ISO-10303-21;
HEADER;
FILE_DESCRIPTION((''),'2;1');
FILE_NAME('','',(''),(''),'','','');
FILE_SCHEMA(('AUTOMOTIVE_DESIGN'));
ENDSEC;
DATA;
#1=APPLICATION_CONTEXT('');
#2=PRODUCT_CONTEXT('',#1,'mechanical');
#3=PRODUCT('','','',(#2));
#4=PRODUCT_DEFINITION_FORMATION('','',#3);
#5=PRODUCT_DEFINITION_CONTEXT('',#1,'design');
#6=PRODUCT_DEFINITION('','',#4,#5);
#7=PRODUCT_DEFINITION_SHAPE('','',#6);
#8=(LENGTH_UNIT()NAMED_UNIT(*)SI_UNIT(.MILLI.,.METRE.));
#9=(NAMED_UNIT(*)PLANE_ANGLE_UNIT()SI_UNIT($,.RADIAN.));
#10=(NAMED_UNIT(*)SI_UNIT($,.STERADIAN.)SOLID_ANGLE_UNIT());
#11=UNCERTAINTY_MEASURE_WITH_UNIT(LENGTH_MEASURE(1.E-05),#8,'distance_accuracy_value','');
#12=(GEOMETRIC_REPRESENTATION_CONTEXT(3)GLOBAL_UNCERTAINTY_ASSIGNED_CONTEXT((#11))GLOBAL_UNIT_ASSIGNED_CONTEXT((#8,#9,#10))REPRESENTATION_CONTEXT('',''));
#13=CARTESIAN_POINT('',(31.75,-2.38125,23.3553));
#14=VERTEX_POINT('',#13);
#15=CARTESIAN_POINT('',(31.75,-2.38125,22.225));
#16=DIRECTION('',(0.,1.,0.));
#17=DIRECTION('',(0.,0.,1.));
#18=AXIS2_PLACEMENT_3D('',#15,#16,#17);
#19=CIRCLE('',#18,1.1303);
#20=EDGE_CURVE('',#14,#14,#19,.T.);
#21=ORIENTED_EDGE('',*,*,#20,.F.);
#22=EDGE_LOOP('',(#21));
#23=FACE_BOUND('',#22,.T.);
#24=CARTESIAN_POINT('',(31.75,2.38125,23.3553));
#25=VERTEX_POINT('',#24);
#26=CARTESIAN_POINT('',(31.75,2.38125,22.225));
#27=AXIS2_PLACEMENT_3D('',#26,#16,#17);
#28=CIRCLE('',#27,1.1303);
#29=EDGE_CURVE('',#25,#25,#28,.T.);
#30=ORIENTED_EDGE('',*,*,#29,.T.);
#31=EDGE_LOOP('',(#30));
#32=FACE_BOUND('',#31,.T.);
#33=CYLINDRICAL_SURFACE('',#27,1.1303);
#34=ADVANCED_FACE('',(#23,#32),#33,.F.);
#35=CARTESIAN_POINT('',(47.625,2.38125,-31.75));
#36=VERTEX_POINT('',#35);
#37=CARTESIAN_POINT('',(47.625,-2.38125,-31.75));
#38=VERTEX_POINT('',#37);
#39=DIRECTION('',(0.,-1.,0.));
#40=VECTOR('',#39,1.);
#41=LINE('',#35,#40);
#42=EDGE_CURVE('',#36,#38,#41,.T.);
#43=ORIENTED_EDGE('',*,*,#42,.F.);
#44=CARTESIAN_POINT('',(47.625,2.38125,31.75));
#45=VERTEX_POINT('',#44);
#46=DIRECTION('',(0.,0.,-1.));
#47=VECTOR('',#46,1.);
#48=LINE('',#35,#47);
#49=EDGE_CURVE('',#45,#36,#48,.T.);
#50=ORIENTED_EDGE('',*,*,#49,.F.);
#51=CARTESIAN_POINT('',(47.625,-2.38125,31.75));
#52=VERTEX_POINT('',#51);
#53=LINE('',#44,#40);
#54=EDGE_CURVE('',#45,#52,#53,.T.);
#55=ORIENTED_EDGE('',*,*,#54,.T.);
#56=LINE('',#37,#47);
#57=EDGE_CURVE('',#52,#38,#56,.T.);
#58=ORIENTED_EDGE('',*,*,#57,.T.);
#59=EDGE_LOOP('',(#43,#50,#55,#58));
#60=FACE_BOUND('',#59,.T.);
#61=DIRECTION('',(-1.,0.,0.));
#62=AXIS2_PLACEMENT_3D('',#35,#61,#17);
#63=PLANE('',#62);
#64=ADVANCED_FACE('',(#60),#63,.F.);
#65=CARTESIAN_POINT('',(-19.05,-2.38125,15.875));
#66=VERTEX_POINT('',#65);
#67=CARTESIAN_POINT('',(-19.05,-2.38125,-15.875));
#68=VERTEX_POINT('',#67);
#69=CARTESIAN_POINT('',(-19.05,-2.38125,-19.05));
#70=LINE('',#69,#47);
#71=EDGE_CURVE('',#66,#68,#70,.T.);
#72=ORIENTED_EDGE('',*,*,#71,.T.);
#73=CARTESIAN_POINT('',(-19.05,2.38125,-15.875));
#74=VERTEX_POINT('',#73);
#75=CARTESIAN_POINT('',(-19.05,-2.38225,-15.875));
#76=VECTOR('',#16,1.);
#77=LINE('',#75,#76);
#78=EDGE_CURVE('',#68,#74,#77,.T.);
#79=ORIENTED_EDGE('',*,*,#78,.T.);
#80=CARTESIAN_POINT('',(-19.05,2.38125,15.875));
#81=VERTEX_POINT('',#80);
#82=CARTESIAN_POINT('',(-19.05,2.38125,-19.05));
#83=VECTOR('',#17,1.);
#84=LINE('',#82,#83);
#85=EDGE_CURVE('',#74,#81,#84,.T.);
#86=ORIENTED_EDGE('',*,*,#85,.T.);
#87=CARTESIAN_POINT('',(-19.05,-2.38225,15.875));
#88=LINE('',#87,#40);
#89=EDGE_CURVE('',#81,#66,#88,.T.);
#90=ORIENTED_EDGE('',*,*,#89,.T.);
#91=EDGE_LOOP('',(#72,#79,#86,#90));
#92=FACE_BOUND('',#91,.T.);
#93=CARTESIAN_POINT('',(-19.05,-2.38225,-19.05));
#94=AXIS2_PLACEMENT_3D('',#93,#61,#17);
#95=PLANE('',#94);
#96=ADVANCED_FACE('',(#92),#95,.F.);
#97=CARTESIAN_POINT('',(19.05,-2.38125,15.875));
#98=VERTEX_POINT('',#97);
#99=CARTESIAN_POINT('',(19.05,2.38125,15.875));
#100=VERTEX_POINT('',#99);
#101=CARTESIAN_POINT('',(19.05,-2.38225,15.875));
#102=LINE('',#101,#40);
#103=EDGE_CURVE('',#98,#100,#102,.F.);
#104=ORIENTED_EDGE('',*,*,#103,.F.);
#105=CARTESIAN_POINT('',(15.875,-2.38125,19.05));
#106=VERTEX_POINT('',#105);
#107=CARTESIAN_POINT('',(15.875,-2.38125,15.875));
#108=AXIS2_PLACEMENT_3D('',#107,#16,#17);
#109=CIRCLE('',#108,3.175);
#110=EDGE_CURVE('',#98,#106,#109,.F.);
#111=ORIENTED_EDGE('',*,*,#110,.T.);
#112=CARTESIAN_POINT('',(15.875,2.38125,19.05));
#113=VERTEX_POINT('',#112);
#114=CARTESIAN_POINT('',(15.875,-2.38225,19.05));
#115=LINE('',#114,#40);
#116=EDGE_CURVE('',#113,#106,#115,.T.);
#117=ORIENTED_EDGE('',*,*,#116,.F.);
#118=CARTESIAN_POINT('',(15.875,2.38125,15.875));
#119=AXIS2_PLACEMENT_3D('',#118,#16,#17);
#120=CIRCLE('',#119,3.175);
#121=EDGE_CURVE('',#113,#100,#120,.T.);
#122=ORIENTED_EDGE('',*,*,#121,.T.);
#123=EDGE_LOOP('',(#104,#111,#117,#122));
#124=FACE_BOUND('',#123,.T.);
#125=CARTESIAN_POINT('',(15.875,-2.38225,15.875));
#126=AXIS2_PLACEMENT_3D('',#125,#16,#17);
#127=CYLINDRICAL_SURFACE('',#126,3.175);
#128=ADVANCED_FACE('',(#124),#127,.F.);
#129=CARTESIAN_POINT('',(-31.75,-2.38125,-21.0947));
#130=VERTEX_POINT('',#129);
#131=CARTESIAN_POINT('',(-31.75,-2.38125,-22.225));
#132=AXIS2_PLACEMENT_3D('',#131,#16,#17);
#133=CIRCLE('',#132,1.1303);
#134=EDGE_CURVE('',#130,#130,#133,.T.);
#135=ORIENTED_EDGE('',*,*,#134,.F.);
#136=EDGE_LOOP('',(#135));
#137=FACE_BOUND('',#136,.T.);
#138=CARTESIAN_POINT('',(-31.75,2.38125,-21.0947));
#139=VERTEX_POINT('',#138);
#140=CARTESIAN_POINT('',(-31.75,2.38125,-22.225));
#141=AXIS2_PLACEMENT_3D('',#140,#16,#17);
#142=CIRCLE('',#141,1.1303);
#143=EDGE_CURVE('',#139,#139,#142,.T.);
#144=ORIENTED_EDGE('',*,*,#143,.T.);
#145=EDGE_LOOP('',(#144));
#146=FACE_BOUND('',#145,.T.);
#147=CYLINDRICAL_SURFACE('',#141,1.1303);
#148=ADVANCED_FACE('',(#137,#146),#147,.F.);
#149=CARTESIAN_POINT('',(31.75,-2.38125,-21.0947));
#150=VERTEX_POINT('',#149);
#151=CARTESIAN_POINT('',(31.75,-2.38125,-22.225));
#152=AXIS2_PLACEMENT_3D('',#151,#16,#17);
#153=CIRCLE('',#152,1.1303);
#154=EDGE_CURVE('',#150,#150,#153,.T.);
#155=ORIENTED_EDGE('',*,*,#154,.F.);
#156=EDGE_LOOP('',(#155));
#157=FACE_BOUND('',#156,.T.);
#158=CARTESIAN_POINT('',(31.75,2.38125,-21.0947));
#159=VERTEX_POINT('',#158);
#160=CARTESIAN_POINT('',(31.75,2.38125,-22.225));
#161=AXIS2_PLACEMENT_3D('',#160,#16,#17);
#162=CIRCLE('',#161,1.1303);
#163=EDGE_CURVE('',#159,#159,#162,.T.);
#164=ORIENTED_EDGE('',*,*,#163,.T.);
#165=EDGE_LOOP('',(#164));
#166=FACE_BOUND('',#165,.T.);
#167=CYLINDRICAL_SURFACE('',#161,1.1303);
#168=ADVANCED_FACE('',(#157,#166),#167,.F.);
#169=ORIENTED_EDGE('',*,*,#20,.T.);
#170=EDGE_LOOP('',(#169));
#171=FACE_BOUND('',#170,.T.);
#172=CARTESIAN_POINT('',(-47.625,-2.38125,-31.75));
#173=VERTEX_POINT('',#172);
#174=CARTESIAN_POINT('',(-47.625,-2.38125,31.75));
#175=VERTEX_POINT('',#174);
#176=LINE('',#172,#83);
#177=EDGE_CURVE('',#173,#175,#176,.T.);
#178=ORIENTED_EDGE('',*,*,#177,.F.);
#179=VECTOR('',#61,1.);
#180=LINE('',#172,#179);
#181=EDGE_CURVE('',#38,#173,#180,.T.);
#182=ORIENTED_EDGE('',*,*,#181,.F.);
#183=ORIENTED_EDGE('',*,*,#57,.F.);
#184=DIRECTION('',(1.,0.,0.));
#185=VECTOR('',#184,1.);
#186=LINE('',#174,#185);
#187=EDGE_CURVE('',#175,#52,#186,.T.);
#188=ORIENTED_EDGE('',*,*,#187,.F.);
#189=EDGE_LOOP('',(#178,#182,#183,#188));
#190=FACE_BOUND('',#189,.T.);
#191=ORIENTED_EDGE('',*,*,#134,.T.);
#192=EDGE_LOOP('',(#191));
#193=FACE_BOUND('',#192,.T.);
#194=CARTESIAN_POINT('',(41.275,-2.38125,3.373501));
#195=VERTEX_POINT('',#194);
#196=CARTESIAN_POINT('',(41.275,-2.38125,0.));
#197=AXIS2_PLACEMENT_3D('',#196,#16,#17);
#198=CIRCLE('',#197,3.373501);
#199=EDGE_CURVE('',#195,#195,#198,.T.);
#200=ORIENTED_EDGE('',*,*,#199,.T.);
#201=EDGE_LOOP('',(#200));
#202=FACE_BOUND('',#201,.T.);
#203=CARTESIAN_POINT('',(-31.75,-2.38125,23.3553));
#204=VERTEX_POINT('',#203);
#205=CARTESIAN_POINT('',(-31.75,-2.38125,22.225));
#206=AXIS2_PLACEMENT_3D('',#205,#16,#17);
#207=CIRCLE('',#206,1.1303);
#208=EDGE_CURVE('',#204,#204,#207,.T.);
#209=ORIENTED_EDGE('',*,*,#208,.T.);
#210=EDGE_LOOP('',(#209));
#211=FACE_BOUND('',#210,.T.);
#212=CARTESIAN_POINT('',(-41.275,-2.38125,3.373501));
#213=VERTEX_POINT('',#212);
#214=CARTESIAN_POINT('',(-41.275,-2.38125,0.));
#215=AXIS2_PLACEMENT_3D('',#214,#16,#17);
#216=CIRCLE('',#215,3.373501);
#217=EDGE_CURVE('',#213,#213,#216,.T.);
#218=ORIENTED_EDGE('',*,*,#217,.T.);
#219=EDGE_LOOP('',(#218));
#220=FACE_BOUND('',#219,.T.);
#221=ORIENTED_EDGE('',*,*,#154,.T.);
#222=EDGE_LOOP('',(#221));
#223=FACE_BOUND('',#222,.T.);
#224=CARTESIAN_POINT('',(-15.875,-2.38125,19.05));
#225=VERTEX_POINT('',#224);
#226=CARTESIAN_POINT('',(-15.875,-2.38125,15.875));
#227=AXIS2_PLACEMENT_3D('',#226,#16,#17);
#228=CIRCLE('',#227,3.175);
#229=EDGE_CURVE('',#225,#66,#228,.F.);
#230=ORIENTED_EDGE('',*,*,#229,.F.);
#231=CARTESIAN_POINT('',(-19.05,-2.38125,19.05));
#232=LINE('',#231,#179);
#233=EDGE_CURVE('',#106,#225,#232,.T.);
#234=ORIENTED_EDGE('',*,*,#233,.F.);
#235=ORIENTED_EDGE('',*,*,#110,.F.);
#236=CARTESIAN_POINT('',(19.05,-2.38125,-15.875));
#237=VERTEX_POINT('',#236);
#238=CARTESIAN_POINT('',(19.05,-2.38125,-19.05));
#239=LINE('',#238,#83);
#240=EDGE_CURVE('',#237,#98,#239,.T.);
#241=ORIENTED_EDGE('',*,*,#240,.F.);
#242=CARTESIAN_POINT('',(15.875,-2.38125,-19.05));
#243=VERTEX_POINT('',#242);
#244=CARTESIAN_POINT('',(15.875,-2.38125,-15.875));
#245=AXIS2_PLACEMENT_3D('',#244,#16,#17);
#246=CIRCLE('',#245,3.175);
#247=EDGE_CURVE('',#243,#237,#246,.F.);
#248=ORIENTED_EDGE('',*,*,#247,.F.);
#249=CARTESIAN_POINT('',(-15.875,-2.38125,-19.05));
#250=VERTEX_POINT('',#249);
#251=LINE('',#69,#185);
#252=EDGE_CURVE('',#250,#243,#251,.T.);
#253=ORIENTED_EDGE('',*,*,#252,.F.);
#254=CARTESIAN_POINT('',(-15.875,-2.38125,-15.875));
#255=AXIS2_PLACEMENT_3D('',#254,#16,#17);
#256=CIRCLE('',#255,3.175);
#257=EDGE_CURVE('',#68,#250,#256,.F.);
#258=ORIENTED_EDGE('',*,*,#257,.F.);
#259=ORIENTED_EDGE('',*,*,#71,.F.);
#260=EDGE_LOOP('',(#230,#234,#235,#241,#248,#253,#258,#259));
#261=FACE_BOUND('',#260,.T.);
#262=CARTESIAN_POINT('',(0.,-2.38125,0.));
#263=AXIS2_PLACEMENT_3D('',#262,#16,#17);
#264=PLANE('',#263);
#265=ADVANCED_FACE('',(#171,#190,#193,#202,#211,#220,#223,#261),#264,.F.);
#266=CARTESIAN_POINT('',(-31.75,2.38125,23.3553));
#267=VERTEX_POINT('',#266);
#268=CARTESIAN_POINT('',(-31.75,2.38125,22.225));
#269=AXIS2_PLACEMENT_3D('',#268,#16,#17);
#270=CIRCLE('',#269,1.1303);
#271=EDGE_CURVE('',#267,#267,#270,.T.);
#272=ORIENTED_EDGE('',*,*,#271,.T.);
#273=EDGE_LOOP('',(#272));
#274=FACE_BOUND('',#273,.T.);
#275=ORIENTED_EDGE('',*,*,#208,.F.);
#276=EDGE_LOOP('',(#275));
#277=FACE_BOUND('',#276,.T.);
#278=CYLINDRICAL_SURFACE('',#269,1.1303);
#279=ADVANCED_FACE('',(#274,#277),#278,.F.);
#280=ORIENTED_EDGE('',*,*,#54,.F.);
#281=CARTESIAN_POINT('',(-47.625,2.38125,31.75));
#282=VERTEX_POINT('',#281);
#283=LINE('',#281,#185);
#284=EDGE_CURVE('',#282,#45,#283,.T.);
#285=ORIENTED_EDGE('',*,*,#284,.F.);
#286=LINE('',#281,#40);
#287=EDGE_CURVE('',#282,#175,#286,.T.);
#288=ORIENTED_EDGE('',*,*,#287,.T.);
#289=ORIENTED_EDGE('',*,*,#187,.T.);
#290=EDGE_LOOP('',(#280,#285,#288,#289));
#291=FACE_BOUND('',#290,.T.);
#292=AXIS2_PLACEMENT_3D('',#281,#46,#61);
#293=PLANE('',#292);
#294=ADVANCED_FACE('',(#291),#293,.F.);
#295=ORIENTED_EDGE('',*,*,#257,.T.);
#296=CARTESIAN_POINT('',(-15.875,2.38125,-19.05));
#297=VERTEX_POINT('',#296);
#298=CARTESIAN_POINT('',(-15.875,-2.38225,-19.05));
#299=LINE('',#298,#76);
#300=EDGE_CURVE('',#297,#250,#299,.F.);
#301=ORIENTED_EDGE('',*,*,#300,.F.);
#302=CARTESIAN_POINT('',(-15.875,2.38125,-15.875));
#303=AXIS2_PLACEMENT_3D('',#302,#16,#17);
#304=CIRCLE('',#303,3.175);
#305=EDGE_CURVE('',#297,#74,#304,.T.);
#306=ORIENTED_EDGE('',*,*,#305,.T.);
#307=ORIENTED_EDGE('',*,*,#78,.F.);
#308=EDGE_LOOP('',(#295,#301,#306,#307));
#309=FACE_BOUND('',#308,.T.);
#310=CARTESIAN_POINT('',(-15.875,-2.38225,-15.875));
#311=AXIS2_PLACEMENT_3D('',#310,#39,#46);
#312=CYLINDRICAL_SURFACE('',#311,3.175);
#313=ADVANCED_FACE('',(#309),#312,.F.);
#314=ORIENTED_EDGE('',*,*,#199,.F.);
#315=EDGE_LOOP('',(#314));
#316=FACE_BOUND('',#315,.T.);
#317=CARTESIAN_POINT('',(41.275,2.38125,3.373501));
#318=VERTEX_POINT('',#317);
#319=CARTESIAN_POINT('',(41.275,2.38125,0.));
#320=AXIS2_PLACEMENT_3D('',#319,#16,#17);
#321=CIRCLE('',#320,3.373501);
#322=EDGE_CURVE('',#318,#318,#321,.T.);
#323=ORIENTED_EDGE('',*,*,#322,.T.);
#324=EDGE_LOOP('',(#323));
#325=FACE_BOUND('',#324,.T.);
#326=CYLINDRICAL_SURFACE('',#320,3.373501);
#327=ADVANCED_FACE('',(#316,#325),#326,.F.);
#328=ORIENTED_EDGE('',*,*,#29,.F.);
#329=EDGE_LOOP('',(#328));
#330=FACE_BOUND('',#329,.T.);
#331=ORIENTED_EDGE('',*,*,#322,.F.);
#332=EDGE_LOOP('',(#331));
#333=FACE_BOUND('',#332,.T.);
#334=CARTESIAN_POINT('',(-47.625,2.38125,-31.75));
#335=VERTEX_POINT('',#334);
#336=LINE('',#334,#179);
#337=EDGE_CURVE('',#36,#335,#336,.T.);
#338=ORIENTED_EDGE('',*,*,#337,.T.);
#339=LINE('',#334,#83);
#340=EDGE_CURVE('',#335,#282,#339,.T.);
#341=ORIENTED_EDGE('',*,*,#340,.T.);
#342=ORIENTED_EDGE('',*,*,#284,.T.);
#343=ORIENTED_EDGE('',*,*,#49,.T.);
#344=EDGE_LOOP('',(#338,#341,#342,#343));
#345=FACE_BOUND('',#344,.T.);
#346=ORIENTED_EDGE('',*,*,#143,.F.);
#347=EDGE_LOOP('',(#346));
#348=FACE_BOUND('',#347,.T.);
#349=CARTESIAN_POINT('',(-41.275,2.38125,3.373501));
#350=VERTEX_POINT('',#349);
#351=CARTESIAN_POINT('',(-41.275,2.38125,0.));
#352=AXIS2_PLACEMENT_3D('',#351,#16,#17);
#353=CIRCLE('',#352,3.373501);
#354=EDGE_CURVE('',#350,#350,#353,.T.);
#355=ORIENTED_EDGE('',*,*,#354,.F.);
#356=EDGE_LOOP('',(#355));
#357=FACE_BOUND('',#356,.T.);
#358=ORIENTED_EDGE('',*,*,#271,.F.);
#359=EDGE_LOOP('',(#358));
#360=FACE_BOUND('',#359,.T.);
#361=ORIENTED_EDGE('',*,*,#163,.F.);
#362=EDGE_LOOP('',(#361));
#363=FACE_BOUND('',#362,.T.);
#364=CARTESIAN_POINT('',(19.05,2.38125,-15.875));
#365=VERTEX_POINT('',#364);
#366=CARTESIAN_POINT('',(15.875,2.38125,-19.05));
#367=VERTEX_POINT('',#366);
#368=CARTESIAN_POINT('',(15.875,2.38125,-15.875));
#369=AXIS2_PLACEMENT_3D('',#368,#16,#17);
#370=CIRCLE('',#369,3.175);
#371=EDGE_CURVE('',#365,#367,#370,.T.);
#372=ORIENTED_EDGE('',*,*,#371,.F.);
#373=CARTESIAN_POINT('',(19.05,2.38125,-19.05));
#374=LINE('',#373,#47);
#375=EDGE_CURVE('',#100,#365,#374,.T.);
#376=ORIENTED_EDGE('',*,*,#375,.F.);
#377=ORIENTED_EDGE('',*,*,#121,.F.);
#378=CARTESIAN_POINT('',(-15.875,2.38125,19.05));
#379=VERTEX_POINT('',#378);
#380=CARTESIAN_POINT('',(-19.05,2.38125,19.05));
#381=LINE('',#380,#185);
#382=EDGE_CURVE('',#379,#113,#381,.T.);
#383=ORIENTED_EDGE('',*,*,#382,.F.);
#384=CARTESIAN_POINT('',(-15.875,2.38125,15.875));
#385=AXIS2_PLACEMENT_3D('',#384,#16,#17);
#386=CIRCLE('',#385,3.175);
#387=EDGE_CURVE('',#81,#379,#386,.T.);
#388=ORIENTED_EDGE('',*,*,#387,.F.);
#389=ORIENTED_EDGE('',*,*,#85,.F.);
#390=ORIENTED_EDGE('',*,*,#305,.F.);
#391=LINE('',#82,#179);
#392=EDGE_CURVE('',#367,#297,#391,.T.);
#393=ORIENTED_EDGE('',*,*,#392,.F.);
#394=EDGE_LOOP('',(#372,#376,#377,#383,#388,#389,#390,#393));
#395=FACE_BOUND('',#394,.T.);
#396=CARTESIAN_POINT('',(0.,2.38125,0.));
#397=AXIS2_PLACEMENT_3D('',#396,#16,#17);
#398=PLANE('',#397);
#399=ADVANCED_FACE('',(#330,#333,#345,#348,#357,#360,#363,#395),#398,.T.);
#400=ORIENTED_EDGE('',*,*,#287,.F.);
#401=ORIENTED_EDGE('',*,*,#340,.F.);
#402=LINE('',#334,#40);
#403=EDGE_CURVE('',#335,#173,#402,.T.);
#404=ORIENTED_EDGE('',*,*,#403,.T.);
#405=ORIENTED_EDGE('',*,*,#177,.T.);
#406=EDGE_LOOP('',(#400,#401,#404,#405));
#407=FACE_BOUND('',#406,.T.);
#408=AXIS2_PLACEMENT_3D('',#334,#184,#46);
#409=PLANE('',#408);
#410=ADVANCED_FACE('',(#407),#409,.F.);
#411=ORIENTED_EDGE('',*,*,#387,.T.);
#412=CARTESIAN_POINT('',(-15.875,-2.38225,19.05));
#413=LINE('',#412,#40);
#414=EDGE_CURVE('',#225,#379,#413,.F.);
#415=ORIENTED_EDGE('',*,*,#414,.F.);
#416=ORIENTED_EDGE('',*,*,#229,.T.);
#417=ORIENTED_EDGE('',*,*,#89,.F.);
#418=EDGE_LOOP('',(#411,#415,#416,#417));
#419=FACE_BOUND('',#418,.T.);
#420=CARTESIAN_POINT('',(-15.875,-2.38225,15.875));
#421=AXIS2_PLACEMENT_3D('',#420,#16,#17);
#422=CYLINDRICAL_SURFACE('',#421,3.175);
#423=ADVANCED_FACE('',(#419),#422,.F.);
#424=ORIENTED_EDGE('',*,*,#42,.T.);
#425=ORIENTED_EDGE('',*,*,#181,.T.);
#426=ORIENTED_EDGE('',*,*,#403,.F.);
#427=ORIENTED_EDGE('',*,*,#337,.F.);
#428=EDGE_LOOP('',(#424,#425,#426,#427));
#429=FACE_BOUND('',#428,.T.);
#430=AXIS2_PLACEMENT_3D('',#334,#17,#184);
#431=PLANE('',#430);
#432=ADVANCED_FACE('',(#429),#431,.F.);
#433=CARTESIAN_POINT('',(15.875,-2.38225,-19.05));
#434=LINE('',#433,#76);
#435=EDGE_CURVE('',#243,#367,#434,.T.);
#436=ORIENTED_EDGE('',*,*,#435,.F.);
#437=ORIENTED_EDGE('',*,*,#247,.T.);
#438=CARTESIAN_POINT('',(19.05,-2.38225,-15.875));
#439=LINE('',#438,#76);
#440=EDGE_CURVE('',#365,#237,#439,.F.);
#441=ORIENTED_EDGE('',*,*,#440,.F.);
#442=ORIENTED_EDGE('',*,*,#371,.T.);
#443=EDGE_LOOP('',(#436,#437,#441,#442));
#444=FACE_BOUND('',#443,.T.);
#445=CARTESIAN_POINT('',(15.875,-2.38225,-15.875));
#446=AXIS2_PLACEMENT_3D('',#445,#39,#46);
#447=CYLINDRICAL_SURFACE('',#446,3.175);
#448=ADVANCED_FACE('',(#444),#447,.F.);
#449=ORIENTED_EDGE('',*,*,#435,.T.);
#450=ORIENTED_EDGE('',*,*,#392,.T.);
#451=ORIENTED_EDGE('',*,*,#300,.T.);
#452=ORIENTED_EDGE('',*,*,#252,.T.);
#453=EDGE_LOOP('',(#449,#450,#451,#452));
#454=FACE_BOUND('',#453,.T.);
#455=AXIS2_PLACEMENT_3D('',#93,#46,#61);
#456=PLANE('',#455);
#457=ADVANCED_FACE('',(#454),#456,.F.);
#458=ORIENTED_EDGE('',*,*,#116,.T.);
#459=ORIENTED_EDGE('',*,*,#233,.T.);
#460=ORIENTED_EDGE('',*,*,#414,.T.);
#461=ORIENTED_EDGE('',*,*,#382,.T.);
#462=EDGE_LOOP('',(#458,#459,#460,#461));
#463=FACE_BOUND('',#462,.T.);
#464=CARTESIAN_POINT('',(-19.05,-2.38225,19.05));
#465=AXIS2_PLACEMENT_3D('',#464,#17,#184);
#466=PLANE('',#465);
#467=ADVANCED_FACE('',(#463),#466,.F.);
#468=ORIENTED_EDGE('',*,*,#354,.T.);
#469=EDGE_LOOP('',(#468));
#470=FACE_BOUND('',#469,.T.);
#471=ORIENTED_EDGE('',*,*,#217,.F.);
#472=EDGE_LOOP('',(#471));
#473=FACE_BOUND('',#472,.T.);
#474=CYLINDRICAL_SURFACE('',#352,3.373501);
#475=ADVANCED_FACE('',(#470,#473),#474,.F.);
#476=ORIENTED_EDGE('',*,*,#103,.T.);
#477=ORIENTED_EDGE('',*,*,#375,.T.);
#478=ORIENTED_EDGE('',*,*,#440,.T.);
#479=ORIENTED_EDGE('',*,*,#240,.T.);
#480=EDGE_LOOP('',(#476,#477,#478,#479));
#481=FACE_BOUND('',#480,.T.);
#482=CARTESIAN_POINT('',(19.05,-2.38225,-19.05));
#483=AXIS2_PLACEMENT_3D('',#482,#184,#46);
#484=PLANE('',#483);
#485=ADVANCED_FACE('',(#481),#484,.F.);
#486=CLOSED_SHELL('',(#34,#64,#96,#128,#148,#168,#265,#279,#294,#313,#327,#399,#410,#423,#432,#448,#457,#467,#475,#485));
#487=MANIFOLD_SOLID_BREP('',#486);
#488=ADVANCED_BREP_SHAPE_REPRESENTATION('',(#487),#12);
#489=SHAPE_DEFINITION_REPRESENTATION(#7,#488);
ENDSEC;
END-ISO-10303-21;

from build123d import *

# Parameters (mm, degrees)
SKETCH1_W                        = 95.25
SKETCH1_H                        = 63.5
BOSS_EXTRUDE1_DEPTH              = 2.38125
CUT_EXTRUDE1_REACH               = 59.436
SKETCH2_W                        = 38.1
SKETCH2_H                        = 38.1
F_4_40_TAPPED_HOLE1_D            = 2.2606
F_17_64_0_26563_DIAMETER_HOLE1_D = 6.747002
FILLET1_R                        = 3.175
FILLET2_R                        = 3.175
FILLET3_R                        = 3.175
FILLET4_R                        = 3.175


with BuildPart() as part:
    # Sketch1 → Boss-Extrude1 (new, symmetric)
    with BuildSketch(Plane(origin=(0, 0, 0), x_dir=(1, 0, 0), z_dir=(0, 1, 0))):
        Rectangle(SKETCH1_W, SKETCH1_H)
    extrude(amount=BOSS_EXTRUDE1_DEPTH, both=True)

    # Sketch2 → Cut-Extrude1 (cut, up to next)
    with BuildSketch(Plane(origin=(0, 2.38125, 0), x_dir=(1, 0, 0), z_dir=(0, 1, 0)), mode=Mode.PRIVATE) as cut_extrude1_sk1:
        Rectangle(SKETCH2_W, SKETCH2_H)
    cut_extrude1_tool1 = extrude(cut_extrude1_sk1.sketch, amount=-CUT_EXTRUDE1_REACH, mode=Mode.PRIVATE) & part.part
    add(cut_extrude1_tool1.solids().sort_by_distance((0, 2.38125, 0))[0], mode=Mode.SUBTRACT)

    # #4-40 Tapped Hole1 (through all)
    with Locations(Plane(origin=(0, 2.38125, 0), x_dir=(1, 0, 0), z_dir=(0, 1, 0))):
        with Locations((-31.75, 22.225), (31.75, 22.225)):
            f_4_40_tapped_hole1 = Hole(F_4_40_TAPPED_HOLE1_D / 2)

    # Mirror1: #4-40 Tapped Hole1 across plane
    add(f_4_40_tapped_hole1.mirror(Plane.XY), mode=Mode.SUBTRACT)

    # 17/64 (0.26563) Diameter Hole1 (through all)
    with Locations(Plane(origin=(0, 2.38125, 0), x_dir=(1, 0, 0), z_dir=(0, 1, 0))):
        with Locations((-41.275, 0), (41.275, 0)):
            Hole(F_17_64_0_26563_DIAMETER_HOLE1_D / 2)

    # Fillet1
    fillet1_edges = [part.edges().sort_by_distance(p)[0] for p in [
        (-19.05, 0, -19.05),
    ]]
    fillet(fillet1_edges, radius=FILLET1_R)

    # Fillet2
    fillet2_edges = [part.edges().sort_by_distance(p)[0] for p in [
        (-19.05, 0, 19.05),
    ]]
    fillet(fillet2_edges, radius=FILLET2_R)

    # Fillet3
    fillet3_edges = [part.edges().sort_by_distance(p)[0] for p in [
        (19.05, 0, -19.05),
    ]]
    fillet(fillet3_edges, radius=FILLET3_R)

    # Fillet4
    fillet4_edges = [part.edges().sort_by_distance(p)[0] for p in [
        (19.05, 0, 19.05),
    ]]
    fillet(fillet4_edges, radius=FILLET4_R)


solid = part.part
